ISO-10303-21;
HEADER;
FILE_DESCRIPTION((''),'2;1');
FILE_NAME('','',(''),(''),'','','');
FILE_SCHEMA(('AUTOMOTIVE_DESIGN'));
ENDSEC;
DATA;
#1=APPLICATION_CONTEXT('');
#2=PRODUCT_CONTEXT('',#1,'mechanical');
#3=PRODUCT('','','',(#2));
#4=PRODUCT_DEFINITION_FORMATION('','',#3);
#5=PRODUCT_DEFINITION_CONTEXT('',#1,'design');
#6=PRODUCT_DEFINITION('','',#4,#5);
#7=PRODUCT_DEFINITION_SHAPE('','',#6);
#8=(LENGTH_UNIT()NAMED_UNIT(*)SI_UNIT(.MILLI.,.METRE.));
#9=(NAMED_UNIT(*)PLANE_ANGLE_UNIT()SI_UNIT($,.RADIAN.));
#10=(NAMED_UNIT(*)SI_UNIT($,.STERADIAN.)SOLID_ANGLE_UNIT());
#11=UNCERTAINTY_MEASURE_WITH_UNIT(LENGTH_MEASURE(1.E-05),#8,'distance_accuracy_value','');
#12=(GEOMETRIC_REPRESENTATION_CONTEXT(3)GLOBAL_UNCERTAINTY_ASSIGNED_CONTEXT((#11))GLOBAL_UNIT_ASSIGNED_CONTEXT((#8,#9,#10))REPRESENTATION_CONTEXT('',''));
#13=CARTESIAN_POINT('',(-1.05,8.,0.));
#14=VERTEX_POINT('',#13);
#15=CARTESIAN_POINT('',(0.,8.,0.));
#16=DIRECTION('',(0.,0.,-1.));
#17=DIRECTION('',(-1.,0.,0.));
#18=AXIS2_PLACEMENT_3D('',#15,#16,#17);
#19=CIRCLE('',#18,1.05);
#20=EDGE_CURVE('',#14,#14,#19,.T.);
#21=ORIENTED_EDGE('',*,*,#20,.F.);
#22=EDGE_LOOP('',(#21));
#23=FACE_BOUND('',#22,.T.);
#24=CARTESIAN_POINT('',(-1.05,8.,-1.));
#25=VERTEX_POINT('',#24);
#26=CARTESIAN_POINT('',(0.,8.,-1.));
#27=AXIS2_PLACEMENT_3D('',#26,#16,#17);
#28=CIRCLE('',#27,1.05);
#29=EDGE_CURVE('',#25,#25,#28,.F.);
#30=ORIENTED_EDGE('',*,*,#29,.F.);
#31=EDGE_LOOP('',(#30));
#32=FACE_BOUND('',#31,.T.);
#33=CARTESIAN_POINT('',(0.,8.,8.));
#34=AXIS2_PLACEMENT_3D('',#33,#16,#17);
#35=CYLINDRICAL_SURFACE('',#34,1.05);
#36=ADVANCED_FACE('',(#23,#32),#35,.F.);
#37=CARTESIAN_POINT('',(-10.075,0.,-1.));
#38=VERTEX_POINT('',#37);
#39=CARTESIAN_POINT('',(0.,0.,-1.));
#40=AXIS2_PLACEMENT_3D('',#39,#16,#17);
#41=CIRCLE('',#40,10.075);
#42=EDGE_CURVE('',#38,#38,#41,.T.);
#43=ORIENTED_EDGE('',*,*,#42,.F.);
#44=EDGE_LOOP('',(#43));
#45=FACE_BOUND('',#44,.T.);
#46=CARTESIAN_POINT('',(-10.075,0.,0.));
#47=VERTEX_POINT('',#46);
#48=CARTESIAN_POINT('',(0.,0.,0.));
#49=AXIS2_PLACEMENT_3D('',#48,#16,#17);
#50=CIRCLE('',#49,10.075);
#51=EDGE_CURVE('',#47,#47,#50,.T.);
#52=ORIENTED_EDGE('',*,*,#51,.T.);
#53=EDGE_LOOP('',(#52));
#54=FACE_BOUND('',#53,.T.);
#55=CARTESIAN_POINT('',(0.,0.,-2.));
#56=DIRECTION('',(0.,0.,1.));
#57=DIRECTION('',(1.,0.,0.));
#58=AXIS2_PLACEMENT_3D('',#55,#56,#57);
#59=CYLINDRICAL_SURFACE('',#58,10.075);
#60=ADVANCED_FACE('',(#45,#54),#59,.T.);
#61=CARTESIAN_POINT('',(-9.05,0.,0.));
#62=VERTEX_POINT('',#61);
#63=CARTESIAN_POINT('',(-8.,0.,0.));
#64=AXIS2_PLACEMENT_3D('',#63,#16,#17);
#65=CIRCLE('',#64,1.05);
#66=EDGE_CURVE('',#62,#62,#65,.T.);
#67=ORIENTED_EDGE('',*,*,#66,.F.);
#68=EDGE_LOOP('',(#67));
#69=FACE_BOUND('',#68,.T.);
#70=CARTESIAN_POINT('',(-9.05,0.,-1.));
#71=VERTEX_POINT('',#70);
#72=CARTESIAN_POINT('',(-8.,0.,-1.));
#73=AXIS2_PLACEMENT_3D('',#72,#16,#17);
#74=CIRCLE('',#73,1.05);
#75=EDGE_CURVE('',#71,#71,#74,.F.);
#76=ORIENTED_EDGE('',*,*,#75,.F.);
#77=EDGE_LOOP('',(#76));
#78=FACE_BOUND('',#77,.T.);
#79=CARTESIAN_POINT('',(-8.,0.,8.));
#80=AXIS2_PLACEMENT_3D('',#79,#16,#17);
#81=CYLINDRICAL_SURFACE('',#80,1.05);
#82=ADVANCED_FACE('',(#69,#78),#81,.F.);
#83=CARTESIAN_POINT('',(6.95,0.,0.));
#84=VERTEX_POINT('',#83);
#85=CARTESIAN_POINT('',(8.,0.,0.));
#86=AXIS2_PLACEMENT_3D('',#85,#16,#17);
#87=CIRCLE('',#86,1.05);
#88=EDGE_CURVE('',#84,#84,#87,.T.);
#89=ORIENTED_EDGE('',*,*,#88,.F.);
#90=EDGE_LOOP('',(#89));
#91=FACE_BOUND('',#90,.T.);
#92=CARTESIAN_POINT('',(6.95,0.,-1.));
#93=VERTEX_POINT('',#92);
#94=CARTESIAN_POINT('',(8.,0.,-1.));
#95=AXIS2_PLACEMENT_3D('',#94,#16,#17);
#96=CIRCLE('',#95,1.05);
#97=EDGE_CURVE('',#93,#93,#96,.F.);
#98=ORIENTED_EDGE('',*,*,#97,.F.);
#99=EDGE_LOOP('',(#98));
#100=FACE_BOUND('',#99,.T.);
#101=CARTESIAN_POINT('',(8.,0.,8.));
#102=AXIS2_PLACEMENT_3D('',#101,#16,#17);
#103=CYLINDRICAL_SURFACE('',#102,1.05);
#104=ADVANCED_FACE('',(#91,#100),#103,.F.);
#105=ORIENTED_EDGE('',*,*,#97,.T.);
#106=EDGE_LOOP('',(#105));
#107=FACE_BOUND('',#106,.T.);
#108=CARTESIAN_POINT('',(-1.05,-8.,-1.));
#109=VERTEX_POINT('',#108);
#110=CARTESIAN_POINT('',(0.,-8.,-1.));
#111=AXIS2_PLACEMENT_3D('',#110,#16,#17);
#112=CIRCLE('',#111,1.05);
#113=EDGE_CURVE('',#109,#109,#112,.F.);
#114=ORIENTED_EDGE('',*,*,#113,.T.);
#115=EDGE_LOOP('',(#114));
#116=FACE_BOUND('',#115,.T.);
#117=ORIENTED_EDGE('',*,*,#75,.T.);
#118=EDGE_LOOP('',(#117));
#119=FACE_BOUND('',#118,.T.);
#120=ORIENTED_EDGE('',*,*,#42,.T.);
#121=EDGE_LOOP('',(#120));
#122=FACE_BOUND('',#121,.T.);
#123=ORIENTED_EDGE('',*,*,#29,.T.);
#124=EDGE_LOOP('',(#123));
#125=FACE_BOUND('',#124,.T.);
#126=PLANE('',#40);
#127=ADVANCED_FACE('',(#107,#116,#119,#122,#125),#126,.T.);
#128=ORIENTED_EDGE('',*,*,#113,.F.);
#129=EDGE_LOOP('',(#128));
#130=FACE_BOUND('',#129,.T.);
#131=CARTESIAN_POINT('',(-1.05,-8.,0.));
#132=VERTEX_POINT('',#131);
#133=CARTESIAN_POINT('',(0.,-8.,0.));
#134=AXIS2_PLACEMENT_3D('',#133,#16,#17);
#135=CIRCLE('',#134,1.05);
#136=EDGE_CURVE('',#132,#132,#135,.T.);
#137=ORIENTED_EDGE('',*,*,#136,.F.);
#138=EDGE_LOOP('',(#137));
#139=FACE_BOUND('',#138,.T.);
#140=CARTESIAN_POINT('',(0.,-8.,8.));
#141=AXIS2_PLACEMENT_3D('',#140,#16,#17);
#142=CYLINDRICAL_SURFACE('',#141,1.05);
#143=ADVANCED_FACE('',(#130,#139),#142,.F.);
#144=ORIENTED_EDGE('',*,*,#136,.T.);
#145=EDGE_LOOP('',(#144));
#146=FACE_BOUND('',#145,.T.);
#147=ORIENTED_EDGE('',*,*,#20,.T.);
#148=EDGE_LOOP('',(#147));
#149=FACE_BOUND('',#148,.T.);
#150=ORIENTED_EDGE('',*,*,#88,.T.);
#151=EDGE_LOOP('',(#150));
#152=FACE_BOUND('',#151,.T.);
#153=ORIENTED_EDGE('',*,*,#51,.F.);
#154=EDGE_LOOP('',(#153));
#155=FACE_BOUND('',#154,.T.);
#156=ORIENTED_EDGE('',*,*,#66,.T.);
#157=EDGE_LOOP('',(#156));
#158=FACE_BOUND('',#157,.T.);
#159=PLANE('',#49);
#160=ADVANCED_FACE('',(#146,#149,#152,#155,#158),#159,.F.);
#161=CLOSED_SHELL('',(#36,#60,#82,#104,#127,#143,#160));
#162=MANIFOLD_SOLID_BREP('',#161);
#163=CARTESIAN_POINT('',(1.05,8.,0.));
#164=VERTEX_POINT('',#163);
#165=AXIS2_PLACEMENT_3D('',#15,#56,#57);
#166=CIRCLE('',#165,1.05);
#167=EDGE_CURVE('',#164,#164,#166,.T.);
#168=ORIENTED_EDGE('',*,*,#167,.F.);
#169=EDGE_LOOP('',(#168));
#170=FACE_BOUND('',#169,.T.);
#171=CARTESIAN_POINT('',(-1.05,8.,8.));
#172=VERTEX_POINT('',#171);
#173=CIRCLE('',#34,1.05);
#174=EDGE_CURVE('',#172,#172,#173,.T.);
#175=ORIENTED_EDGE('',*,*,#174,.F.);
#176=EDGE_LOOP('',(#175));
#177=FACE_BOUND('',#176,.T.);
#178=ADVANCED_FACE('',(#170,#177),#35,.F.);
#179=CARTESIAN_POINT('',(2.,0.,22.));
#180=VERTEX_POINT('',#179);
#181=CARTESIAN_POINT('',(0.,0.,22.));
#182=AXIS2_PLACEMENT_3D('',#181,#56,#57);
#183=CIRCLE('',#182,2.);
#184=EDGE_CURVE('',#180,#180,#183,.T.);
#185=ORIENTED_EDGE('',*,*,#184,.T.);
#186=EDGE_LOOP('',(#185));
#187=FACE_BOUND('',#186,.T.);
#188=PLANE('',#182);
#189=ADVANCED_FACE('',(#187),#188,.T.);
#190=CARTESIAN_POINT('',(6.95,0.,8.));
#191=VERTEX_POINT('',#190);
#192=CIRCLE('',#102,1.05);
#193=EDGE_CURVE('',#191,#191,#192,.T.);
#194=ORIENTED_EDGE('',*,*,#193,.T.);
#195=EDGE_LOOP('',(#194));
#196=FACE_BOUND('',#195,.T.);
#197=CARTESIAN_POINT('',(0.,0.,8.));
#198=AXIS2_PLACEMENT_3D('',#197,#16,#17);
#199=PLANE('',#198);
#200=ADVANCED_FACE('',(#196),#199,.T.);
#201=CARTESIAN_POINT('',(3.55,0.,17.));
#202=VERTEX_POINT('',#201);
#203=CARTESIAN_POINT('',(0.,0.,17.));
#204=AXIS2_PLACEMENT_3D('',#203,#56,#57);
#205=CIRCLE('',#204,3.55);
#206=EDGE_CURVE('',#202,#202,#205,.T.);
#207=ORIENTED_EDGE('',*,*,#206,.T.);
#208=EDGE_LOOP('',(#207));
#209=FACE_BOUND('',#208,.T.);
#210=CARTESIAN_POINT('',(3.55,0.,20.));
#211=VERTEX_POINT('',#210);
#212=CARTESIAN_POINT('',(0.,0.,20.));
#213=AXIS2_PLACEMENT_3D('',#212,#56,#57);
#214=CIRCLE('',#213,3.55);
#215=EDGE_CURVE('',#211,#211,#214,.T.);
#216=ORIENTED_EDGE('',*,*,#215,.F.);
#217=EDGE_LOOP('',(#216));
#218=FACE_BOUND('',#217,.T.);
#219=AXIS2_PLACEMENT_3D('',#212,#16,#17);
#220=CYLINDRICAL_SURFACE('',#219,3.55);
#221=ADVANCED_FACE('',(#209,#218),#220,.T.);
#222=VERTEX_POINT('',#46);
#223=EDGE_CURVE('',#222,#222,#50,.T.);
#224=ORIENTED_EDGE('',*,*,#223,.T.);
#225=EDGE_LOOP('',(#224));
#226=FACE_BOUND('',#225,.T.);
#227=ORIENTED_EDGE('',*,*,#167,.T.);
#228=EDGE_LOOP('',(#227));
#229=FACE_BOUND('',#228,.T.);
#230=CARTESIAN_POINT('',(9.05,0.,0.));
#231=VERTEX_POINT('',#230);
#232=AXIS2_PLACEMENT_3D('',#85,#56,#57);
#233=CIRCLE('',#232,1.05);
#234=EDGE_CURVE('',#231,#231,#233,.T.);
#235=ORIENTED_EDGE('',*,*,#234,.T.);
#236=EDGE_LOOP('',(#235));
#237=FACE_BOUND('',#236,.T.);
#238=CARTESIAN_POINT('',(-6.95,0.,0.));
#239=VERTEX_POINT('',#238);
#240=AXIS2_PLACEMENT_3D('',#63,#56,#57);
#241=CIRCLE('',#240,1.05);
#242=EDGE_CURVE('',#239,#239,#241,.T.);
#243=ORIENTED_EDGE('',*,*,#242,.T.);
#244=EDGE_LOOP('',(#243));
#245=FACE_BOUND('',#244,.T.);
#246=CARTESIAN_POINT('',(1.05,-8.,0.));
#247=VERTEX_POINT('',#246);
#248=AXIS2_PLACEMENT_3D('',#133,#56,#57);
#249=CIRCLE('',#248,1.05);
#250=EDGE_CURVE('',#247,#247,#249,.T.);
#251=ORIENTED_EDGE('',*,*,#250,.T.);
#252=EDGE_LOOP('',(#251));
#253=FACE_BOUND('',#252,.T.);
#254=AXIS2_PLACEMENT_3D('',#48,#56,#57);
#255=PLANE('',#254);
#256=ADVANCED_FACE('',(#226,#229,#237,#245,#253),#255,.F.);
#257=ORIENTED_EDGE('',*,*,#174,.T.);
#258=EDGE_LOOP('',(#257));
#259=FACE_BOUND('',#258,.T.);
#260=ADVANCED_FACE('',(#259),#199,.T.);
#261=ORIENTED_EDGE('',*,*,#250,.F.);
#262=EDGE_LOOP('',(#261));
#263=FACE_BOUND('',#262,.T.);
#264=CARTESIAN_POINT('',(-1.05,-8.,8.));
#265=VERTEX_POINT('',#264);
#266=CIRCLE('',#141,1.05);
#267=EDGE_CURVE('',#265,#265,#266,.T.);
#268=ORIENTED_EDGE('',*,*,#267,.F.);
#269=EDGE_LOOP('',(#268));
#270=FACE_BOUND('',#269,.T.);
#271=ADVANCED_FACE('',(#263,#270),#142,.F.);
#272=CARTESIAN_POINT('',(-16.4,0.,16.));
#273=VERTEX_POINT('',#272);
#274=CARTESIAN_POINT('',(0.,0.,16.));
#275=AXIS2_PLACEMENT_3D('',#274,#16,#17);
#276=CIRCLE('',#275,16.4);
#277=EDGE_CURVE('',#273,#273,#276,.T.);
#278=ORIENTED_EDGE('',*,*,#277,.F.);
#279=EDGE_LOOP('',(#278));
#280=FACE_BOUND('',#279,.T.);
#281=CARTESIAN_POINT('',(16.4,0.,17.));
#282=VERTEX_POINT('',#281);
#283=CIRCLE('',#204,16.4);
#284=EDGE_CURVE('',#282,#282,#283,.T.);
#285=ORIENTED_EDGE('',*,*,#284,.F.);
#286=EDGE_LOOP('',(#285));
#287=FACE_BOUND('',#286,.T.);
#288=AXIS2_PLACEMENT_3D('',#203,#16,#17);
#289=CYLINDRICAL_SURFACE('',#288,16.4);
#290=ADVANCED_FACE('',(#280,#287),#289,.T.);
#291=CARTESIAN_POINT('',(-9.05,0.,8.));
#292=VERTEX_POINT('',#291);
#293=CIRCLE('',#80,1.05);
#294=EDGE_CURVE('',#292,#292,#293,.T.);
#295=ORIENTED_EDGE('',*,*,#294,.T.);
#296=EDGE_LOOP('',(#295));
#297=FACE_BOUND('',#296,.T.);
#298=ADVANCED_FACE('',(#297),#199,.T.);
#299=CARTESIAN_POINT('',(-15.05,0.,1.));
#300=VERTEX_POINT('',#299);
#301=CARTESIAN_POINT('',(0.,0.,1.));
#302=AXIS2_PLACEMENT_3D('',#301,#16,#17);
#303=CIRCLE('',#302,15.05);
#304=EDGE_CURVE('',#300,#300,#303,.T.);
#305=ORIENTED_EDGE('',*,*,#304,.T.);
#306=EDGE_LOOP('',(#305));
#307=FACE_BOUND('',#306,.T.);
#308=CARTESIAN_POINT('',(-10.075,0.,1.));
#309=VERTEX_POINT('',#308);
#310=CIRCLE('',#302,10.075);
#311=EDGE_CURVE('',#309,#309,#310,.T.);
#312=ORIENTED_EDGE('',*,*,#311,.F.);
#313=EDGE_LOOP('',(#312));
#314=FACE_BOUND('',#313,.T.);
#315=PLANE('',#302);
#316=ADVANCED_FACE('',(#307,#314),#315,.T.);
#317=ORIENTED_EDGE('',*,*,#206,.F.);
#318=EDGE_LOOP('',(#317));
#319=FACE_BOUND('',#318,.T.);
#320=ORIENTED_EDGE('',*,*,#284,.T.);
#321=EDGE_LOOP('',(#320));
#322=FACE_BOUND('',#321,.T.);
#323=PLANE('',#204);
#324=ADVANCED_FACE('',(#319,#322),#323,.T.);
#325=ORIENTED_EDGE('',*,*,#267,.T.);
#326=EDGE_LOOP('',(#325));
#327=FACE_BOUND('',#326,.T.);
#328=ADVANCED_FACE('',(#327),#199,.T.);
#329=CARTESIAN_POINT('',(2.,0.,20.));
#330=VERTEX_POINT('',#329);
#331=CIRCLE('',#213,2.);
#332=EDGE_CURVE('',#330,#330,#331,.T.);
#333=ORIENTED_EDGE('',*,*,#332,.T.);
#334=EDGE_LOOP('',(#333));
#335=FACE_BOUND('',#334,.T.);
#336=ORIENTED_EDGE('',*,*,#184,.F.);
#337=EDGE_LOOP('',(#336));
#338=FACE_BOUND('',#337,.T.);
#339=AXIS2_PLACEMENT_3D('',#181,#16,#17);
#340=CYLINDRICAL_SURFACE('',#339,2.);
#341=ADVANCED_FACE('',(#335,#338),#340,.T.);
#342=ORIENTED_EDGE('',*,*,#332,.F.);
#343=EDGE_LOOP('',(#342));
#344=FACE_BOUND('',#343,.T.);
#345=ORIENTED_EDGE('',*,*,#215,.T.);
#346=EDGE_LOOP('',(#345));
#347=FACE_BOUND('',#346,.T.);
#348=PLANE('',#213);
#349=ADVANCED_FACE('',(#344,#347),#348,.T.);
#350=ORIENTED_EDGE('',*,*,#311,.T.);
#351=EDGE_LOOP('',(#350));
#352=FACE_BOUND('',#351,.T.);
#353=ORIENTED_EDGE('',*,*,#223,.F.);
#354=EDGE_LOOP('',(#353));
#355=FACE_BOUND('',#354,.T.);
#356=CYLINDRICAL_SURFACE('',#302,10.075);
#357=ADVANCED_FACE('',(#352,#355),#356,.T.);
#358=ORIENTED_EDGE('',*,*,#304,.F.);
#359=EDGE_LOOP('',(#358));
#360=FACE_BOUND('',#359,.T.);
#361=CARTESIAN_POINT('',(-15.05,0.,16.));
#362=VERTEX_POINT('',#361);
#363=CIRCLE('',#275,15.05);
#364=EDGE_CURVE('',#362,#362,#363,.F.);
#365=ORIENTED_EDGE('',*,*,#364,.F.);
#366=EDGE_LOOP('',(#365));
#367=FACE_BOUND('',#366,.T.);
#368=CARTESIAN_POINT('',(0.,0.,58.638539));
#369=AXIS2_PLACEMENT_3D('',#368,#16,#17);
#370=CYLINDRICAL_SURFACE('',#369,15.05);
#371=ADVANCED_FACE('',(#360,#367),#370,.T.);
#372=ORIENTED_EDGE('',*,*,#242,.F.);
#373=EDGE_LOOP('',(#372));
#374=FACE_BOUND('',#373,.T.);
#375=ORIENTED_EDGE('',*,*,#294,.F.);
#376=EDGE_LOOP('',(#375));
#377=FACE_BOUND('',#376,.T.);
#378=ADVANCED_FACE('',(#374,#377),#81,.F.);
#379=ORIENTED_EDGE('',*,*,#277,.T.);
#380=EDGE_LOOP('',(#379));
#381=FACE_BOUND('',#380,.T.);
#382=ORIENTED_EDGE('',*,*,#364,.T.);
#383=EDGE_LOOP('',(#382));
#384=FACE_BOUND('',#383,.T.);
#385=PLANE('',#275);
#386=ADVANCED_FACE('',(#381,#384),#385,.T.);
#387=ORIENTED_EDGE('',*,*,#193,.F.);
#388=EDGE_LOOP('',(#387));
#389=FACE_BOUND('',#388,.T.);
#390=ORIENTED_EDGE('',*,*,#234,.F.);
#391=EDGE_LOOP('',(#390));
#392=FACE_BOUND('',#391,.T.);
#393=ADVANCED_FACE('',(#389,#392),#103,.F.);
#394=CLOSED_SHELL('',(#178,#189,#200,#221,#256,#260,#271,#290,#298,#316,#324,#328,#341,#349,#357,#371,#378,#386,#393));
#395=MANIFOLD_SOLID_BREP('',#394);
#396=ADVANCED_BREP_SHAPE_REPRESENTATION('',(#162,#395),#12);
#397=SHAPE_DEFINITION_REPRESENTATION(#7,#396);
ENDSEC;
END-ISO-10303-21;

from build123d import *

# Parameters (mm, degrees)
SKETCH_1_R          = 16.4
EXTRUDE_1_DEPTH     = 17
SKETCH_2_R          = 3.55
EXTRUDE_2_DEPTH     = 3
SKETCH_3_R          = 10.075
EXTRUDE_3_DEPTH     = 2
SKETCH_7_R          = 1.05
CUT_EXTRUDE_3_DEPTH = 10
SKETCH3_R           = 16.4
SKETCH3_R_2         = 15.075
CUT_EXTRUDE1_DEPTH  = 16
SKETCH4_R           = 15.075
SKETCH4_R_2         = 10.075
CUT_EXTRUDE2_DEPTH  = 1
SKETCH5_R           = 10.075
CUT_EXTRUDE3_DEPTH  = 1
SKETCH6_R           = 2
BOSS_EXTRUDE1_DEPTH = 2
SKETCH7_R           = 15.075
SKETCH7_R_2         = 15.05
CUT_EXTRUDE4_DEPTH  = 15


with BuildPart() as part:
    # 草图1 → 凸台-拉伸1 (new body)
    with BuildSketch(Plane.XY):
        Circle(SKETCH_1_R)
    extrude(amount=EXTRUDE_1_DEPTH)

    # 草图2 → 凸台-拉伸2 (add)
    with BuildSketch(Plane.XY.offset(17)):
        Circle(SKETCH_2_R)
    extrude(amount=EXTRUDE_2_DEPTH)


with BuildPart() as body_2:
    # 草图3 → 凸台-拉伸3 (new body)
    with BuildSketch(Plane(origin=(0, 0, 0), x_dir=(-1, 0, 0), z_dir=(0, 0, -1))):
        Circle(SKETCH_3_R)
    extrude(amount=EXTRUDE_3_DEPTH)


with BuildPart() as cut_extrude_3_tool:
    # 草图7 → 切除-拉伸3 (new body)
    with BuildSketch(Plane(origin=(0, 0, -2), x_dir=(-1, 0, 0), z_dir=(0, 0, -1))):
        with Locations((0, 8)):
            Circle(SKETCH_7_R)
        with Locations((8, 0)):
            Circle(SKETCH_7_R)
        with Locations((0, -8)):
            Circle(SKETCH_7_R)
        with Locations((-8, 0)):
            Circle(SKETCH_7_R)
    extrude(amount=-CUT_EXTRUDE_3_DEPTH)


with BuildPart() as part_1:
    add(part.part)

    # 切除-拉伸3: cut by cut_extrude_3_tool
    add(cut_extrude_3_tool.part, mode=Mode.SUBTRACT)

    # Sketch3 → Cut-Extrude1 (cut)
    with BuildSketch(Plane(origin=(0, 0, 0), x_dir=(-1, 0, 0), z_dir=(0, 0, -1))):
        Circle(SKETCH3_R)
        Circle(SKETCH3_R_2, mode=Mode.SUBTRACT)
    extrude(amount=-CUT_EXTRUDE1_DEPTH, mode=Mode.SUBTRACT)

    # Sketch4 → Cut-Extrude2 (cut)
    with BuildSketch(Plane(origin=(0, 0, 0), x_dir=(-1, 0, 0), z_dir=(0, 0, -1))):
        Circle(SKETCH4_R)
        Circle(SKETCH4_R_2, mode=Mode.SUBTRACT)
    extrude(amount=-CUT_EXTRUDE2_DEPTH, mode=Mode.SUBTRACT)

    # Sketch6 → Boss-Extrude1 (add)
    with BuildSketch(Plane.XY.offset(20)):
        Circle(SKETCH6_R)
    extrude(amount=BOSS_EXTRUDE1_DEPTH)

    # Sketch7 → Cut-Extrude4 (cut)
    with BuildSketch(Plane(origin=(0, 0, 1), x_dir=(-1, 0, 0), z_dir=(0, 0, -1))):
        Circle(SKETCH7_R)
        Circle(SKETCH7_R_2, mode=Mode.SUBTRACT)
    extrude(amount=-CUT_EXTRUDE4_DEPTH, mode=Mode.SUBTRACT)


with BuildPart() as body_2_1:
    add(body_2.part)

    # 切除-拉伸3: cut by cut_extrude_3_tool
    add(cut_extrude_3_tool.part, mode=Mode.SUBTRACT)

    # Sketch5 → Cut-Extrude3 (cut)
    with BuildSketch(Plane(origin=(0, 0, -2), x_dir=(-1, 0, 0), z_dir=(0, 0, -1))):
        Circle(SKETCH5_R)
    extrude(amount=-CUT_EXTRUDE3_DEPTH, mode=Mode.SUBTRACT)


solid = Compound([part_1.part, body_2_1.part])
